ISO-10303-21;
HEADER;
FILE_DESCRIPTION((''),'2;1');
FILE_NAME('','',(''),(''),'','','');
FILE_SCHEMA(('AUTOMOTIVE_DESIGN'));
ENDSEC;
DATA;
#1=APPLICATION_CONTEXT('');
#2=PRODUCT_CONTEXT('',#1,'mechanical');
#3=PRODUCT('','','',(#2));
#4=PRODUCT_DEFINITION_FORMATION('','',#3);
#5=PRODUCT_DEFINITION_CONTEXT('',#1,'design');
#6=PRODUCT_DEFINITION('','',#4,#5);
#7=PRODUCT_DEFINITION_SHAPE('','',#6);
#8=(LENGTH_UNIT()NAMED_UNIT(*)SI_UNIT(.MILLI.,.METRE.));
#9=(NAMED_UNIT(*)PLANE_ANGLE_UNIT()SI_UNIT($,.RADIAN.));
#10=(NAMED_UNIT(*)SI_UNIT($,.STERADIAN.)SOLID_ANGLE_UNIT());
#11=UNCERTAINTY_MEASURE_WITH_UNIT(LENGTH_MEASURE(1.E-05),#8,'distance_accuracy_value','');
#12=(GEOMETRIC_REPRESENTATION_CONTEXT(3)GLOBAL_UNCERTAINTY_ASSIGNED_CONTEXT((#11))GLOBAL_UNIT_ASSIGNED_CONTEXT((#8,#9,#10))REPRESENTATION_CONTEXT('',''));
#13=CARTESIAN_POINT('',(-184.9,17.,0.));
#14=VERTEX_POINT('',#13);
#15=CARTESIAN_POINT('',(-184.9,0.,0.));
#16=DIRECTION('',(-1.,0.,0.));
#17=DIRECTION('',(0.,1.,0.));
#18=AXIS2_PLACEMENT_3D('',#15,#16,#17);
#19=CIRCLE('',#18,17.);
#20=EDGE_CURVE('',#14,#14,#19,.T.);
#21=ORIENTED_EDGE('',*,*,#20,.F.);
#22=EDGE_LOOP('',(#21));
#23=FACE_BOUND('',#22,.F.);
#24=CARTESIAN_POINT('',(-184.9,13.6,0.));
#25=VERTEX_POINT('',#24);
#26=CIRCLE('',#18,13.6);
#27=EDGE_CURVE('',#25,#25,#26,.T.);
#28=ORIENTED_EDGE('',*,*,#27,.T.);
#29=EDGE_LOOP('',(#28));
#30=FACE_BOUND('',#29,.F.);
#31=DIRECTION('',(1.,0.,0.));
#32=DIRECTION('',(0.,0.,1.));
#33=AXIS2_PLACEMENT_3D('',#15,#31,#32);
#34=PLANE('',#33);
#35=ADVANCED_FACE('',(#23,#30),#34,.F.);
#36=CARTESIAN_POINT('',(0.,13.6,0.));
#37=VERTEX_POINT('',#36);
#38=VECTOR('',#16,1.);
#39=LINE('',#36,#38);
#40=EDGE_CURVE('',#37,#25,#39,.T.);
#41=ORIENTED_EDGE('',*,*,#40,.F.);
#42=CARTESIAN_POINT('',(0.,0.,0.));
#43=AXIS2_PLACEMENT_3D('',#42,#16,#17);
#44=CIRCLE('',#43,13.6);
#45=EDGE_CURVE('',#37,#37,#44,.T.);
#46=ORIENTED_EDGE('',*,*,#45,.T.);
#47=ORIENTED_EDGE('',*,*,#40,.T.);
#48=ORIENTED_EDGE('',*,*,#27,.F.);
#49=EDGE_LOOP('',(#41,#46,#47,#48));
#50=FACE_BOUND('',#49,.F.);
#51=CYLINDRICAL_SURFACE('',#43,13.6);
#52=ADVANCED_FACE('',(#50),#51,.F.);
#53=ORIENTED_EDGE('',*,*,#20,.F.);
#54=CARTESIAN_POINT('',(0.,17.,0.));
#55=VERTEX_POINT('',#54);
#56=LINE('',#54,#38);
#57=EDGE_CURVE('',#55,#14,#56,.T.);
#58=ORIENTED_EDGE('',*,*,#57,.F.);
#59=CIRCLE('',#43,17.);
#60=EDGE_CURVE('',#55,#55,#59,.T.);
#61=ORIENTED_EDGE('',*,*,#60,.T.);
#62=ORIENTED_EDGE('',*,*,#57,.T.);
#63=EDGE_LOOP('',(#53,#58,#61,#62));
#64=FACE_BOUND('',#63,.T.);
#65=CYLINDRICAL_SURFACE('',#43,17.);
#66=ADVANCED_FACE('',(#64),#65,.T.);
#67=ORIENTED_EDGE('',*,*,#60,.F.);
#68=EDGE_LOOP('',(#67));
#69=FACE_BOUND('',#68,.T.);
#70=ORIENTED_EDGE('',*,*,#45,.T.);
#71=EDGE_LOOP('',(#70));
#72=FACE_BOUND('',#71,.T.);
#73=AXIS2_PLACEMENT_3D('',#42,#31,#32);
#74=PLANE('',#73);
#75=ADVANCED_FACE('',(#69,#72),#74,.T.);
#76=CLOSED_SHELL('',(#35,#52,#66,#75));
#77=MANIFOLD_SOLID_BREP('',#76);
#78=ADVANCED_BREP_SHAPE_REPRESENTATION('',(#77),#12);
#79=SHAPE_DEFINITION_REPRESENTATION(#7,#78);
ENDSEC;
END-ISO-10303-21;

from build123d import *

# Parameters (mm, degrees)
F0_R = 17
F3_T = -3.4


with BuildPart() as f2:
    # F2: sweep along a path in F1
    with BuildLine(Plane.XZ) as f2_path:
        Line((0, 0), (-184.9, 0))
    # F0 (on Right) → F2 (sweep)
    with BuildSketch(Plane.YZ):
        Circle(F0_R)
    sweep(path=f2_path.line)

    # F3
    f3_openings = [f2.faces().sort_by_distance(p)[0] for p in [
        (-184.9, 0, 0),
        (0, 0, 0),
    ]]
    offset(amount=F3_T, openings=f3_openings)


solid = f2.part
